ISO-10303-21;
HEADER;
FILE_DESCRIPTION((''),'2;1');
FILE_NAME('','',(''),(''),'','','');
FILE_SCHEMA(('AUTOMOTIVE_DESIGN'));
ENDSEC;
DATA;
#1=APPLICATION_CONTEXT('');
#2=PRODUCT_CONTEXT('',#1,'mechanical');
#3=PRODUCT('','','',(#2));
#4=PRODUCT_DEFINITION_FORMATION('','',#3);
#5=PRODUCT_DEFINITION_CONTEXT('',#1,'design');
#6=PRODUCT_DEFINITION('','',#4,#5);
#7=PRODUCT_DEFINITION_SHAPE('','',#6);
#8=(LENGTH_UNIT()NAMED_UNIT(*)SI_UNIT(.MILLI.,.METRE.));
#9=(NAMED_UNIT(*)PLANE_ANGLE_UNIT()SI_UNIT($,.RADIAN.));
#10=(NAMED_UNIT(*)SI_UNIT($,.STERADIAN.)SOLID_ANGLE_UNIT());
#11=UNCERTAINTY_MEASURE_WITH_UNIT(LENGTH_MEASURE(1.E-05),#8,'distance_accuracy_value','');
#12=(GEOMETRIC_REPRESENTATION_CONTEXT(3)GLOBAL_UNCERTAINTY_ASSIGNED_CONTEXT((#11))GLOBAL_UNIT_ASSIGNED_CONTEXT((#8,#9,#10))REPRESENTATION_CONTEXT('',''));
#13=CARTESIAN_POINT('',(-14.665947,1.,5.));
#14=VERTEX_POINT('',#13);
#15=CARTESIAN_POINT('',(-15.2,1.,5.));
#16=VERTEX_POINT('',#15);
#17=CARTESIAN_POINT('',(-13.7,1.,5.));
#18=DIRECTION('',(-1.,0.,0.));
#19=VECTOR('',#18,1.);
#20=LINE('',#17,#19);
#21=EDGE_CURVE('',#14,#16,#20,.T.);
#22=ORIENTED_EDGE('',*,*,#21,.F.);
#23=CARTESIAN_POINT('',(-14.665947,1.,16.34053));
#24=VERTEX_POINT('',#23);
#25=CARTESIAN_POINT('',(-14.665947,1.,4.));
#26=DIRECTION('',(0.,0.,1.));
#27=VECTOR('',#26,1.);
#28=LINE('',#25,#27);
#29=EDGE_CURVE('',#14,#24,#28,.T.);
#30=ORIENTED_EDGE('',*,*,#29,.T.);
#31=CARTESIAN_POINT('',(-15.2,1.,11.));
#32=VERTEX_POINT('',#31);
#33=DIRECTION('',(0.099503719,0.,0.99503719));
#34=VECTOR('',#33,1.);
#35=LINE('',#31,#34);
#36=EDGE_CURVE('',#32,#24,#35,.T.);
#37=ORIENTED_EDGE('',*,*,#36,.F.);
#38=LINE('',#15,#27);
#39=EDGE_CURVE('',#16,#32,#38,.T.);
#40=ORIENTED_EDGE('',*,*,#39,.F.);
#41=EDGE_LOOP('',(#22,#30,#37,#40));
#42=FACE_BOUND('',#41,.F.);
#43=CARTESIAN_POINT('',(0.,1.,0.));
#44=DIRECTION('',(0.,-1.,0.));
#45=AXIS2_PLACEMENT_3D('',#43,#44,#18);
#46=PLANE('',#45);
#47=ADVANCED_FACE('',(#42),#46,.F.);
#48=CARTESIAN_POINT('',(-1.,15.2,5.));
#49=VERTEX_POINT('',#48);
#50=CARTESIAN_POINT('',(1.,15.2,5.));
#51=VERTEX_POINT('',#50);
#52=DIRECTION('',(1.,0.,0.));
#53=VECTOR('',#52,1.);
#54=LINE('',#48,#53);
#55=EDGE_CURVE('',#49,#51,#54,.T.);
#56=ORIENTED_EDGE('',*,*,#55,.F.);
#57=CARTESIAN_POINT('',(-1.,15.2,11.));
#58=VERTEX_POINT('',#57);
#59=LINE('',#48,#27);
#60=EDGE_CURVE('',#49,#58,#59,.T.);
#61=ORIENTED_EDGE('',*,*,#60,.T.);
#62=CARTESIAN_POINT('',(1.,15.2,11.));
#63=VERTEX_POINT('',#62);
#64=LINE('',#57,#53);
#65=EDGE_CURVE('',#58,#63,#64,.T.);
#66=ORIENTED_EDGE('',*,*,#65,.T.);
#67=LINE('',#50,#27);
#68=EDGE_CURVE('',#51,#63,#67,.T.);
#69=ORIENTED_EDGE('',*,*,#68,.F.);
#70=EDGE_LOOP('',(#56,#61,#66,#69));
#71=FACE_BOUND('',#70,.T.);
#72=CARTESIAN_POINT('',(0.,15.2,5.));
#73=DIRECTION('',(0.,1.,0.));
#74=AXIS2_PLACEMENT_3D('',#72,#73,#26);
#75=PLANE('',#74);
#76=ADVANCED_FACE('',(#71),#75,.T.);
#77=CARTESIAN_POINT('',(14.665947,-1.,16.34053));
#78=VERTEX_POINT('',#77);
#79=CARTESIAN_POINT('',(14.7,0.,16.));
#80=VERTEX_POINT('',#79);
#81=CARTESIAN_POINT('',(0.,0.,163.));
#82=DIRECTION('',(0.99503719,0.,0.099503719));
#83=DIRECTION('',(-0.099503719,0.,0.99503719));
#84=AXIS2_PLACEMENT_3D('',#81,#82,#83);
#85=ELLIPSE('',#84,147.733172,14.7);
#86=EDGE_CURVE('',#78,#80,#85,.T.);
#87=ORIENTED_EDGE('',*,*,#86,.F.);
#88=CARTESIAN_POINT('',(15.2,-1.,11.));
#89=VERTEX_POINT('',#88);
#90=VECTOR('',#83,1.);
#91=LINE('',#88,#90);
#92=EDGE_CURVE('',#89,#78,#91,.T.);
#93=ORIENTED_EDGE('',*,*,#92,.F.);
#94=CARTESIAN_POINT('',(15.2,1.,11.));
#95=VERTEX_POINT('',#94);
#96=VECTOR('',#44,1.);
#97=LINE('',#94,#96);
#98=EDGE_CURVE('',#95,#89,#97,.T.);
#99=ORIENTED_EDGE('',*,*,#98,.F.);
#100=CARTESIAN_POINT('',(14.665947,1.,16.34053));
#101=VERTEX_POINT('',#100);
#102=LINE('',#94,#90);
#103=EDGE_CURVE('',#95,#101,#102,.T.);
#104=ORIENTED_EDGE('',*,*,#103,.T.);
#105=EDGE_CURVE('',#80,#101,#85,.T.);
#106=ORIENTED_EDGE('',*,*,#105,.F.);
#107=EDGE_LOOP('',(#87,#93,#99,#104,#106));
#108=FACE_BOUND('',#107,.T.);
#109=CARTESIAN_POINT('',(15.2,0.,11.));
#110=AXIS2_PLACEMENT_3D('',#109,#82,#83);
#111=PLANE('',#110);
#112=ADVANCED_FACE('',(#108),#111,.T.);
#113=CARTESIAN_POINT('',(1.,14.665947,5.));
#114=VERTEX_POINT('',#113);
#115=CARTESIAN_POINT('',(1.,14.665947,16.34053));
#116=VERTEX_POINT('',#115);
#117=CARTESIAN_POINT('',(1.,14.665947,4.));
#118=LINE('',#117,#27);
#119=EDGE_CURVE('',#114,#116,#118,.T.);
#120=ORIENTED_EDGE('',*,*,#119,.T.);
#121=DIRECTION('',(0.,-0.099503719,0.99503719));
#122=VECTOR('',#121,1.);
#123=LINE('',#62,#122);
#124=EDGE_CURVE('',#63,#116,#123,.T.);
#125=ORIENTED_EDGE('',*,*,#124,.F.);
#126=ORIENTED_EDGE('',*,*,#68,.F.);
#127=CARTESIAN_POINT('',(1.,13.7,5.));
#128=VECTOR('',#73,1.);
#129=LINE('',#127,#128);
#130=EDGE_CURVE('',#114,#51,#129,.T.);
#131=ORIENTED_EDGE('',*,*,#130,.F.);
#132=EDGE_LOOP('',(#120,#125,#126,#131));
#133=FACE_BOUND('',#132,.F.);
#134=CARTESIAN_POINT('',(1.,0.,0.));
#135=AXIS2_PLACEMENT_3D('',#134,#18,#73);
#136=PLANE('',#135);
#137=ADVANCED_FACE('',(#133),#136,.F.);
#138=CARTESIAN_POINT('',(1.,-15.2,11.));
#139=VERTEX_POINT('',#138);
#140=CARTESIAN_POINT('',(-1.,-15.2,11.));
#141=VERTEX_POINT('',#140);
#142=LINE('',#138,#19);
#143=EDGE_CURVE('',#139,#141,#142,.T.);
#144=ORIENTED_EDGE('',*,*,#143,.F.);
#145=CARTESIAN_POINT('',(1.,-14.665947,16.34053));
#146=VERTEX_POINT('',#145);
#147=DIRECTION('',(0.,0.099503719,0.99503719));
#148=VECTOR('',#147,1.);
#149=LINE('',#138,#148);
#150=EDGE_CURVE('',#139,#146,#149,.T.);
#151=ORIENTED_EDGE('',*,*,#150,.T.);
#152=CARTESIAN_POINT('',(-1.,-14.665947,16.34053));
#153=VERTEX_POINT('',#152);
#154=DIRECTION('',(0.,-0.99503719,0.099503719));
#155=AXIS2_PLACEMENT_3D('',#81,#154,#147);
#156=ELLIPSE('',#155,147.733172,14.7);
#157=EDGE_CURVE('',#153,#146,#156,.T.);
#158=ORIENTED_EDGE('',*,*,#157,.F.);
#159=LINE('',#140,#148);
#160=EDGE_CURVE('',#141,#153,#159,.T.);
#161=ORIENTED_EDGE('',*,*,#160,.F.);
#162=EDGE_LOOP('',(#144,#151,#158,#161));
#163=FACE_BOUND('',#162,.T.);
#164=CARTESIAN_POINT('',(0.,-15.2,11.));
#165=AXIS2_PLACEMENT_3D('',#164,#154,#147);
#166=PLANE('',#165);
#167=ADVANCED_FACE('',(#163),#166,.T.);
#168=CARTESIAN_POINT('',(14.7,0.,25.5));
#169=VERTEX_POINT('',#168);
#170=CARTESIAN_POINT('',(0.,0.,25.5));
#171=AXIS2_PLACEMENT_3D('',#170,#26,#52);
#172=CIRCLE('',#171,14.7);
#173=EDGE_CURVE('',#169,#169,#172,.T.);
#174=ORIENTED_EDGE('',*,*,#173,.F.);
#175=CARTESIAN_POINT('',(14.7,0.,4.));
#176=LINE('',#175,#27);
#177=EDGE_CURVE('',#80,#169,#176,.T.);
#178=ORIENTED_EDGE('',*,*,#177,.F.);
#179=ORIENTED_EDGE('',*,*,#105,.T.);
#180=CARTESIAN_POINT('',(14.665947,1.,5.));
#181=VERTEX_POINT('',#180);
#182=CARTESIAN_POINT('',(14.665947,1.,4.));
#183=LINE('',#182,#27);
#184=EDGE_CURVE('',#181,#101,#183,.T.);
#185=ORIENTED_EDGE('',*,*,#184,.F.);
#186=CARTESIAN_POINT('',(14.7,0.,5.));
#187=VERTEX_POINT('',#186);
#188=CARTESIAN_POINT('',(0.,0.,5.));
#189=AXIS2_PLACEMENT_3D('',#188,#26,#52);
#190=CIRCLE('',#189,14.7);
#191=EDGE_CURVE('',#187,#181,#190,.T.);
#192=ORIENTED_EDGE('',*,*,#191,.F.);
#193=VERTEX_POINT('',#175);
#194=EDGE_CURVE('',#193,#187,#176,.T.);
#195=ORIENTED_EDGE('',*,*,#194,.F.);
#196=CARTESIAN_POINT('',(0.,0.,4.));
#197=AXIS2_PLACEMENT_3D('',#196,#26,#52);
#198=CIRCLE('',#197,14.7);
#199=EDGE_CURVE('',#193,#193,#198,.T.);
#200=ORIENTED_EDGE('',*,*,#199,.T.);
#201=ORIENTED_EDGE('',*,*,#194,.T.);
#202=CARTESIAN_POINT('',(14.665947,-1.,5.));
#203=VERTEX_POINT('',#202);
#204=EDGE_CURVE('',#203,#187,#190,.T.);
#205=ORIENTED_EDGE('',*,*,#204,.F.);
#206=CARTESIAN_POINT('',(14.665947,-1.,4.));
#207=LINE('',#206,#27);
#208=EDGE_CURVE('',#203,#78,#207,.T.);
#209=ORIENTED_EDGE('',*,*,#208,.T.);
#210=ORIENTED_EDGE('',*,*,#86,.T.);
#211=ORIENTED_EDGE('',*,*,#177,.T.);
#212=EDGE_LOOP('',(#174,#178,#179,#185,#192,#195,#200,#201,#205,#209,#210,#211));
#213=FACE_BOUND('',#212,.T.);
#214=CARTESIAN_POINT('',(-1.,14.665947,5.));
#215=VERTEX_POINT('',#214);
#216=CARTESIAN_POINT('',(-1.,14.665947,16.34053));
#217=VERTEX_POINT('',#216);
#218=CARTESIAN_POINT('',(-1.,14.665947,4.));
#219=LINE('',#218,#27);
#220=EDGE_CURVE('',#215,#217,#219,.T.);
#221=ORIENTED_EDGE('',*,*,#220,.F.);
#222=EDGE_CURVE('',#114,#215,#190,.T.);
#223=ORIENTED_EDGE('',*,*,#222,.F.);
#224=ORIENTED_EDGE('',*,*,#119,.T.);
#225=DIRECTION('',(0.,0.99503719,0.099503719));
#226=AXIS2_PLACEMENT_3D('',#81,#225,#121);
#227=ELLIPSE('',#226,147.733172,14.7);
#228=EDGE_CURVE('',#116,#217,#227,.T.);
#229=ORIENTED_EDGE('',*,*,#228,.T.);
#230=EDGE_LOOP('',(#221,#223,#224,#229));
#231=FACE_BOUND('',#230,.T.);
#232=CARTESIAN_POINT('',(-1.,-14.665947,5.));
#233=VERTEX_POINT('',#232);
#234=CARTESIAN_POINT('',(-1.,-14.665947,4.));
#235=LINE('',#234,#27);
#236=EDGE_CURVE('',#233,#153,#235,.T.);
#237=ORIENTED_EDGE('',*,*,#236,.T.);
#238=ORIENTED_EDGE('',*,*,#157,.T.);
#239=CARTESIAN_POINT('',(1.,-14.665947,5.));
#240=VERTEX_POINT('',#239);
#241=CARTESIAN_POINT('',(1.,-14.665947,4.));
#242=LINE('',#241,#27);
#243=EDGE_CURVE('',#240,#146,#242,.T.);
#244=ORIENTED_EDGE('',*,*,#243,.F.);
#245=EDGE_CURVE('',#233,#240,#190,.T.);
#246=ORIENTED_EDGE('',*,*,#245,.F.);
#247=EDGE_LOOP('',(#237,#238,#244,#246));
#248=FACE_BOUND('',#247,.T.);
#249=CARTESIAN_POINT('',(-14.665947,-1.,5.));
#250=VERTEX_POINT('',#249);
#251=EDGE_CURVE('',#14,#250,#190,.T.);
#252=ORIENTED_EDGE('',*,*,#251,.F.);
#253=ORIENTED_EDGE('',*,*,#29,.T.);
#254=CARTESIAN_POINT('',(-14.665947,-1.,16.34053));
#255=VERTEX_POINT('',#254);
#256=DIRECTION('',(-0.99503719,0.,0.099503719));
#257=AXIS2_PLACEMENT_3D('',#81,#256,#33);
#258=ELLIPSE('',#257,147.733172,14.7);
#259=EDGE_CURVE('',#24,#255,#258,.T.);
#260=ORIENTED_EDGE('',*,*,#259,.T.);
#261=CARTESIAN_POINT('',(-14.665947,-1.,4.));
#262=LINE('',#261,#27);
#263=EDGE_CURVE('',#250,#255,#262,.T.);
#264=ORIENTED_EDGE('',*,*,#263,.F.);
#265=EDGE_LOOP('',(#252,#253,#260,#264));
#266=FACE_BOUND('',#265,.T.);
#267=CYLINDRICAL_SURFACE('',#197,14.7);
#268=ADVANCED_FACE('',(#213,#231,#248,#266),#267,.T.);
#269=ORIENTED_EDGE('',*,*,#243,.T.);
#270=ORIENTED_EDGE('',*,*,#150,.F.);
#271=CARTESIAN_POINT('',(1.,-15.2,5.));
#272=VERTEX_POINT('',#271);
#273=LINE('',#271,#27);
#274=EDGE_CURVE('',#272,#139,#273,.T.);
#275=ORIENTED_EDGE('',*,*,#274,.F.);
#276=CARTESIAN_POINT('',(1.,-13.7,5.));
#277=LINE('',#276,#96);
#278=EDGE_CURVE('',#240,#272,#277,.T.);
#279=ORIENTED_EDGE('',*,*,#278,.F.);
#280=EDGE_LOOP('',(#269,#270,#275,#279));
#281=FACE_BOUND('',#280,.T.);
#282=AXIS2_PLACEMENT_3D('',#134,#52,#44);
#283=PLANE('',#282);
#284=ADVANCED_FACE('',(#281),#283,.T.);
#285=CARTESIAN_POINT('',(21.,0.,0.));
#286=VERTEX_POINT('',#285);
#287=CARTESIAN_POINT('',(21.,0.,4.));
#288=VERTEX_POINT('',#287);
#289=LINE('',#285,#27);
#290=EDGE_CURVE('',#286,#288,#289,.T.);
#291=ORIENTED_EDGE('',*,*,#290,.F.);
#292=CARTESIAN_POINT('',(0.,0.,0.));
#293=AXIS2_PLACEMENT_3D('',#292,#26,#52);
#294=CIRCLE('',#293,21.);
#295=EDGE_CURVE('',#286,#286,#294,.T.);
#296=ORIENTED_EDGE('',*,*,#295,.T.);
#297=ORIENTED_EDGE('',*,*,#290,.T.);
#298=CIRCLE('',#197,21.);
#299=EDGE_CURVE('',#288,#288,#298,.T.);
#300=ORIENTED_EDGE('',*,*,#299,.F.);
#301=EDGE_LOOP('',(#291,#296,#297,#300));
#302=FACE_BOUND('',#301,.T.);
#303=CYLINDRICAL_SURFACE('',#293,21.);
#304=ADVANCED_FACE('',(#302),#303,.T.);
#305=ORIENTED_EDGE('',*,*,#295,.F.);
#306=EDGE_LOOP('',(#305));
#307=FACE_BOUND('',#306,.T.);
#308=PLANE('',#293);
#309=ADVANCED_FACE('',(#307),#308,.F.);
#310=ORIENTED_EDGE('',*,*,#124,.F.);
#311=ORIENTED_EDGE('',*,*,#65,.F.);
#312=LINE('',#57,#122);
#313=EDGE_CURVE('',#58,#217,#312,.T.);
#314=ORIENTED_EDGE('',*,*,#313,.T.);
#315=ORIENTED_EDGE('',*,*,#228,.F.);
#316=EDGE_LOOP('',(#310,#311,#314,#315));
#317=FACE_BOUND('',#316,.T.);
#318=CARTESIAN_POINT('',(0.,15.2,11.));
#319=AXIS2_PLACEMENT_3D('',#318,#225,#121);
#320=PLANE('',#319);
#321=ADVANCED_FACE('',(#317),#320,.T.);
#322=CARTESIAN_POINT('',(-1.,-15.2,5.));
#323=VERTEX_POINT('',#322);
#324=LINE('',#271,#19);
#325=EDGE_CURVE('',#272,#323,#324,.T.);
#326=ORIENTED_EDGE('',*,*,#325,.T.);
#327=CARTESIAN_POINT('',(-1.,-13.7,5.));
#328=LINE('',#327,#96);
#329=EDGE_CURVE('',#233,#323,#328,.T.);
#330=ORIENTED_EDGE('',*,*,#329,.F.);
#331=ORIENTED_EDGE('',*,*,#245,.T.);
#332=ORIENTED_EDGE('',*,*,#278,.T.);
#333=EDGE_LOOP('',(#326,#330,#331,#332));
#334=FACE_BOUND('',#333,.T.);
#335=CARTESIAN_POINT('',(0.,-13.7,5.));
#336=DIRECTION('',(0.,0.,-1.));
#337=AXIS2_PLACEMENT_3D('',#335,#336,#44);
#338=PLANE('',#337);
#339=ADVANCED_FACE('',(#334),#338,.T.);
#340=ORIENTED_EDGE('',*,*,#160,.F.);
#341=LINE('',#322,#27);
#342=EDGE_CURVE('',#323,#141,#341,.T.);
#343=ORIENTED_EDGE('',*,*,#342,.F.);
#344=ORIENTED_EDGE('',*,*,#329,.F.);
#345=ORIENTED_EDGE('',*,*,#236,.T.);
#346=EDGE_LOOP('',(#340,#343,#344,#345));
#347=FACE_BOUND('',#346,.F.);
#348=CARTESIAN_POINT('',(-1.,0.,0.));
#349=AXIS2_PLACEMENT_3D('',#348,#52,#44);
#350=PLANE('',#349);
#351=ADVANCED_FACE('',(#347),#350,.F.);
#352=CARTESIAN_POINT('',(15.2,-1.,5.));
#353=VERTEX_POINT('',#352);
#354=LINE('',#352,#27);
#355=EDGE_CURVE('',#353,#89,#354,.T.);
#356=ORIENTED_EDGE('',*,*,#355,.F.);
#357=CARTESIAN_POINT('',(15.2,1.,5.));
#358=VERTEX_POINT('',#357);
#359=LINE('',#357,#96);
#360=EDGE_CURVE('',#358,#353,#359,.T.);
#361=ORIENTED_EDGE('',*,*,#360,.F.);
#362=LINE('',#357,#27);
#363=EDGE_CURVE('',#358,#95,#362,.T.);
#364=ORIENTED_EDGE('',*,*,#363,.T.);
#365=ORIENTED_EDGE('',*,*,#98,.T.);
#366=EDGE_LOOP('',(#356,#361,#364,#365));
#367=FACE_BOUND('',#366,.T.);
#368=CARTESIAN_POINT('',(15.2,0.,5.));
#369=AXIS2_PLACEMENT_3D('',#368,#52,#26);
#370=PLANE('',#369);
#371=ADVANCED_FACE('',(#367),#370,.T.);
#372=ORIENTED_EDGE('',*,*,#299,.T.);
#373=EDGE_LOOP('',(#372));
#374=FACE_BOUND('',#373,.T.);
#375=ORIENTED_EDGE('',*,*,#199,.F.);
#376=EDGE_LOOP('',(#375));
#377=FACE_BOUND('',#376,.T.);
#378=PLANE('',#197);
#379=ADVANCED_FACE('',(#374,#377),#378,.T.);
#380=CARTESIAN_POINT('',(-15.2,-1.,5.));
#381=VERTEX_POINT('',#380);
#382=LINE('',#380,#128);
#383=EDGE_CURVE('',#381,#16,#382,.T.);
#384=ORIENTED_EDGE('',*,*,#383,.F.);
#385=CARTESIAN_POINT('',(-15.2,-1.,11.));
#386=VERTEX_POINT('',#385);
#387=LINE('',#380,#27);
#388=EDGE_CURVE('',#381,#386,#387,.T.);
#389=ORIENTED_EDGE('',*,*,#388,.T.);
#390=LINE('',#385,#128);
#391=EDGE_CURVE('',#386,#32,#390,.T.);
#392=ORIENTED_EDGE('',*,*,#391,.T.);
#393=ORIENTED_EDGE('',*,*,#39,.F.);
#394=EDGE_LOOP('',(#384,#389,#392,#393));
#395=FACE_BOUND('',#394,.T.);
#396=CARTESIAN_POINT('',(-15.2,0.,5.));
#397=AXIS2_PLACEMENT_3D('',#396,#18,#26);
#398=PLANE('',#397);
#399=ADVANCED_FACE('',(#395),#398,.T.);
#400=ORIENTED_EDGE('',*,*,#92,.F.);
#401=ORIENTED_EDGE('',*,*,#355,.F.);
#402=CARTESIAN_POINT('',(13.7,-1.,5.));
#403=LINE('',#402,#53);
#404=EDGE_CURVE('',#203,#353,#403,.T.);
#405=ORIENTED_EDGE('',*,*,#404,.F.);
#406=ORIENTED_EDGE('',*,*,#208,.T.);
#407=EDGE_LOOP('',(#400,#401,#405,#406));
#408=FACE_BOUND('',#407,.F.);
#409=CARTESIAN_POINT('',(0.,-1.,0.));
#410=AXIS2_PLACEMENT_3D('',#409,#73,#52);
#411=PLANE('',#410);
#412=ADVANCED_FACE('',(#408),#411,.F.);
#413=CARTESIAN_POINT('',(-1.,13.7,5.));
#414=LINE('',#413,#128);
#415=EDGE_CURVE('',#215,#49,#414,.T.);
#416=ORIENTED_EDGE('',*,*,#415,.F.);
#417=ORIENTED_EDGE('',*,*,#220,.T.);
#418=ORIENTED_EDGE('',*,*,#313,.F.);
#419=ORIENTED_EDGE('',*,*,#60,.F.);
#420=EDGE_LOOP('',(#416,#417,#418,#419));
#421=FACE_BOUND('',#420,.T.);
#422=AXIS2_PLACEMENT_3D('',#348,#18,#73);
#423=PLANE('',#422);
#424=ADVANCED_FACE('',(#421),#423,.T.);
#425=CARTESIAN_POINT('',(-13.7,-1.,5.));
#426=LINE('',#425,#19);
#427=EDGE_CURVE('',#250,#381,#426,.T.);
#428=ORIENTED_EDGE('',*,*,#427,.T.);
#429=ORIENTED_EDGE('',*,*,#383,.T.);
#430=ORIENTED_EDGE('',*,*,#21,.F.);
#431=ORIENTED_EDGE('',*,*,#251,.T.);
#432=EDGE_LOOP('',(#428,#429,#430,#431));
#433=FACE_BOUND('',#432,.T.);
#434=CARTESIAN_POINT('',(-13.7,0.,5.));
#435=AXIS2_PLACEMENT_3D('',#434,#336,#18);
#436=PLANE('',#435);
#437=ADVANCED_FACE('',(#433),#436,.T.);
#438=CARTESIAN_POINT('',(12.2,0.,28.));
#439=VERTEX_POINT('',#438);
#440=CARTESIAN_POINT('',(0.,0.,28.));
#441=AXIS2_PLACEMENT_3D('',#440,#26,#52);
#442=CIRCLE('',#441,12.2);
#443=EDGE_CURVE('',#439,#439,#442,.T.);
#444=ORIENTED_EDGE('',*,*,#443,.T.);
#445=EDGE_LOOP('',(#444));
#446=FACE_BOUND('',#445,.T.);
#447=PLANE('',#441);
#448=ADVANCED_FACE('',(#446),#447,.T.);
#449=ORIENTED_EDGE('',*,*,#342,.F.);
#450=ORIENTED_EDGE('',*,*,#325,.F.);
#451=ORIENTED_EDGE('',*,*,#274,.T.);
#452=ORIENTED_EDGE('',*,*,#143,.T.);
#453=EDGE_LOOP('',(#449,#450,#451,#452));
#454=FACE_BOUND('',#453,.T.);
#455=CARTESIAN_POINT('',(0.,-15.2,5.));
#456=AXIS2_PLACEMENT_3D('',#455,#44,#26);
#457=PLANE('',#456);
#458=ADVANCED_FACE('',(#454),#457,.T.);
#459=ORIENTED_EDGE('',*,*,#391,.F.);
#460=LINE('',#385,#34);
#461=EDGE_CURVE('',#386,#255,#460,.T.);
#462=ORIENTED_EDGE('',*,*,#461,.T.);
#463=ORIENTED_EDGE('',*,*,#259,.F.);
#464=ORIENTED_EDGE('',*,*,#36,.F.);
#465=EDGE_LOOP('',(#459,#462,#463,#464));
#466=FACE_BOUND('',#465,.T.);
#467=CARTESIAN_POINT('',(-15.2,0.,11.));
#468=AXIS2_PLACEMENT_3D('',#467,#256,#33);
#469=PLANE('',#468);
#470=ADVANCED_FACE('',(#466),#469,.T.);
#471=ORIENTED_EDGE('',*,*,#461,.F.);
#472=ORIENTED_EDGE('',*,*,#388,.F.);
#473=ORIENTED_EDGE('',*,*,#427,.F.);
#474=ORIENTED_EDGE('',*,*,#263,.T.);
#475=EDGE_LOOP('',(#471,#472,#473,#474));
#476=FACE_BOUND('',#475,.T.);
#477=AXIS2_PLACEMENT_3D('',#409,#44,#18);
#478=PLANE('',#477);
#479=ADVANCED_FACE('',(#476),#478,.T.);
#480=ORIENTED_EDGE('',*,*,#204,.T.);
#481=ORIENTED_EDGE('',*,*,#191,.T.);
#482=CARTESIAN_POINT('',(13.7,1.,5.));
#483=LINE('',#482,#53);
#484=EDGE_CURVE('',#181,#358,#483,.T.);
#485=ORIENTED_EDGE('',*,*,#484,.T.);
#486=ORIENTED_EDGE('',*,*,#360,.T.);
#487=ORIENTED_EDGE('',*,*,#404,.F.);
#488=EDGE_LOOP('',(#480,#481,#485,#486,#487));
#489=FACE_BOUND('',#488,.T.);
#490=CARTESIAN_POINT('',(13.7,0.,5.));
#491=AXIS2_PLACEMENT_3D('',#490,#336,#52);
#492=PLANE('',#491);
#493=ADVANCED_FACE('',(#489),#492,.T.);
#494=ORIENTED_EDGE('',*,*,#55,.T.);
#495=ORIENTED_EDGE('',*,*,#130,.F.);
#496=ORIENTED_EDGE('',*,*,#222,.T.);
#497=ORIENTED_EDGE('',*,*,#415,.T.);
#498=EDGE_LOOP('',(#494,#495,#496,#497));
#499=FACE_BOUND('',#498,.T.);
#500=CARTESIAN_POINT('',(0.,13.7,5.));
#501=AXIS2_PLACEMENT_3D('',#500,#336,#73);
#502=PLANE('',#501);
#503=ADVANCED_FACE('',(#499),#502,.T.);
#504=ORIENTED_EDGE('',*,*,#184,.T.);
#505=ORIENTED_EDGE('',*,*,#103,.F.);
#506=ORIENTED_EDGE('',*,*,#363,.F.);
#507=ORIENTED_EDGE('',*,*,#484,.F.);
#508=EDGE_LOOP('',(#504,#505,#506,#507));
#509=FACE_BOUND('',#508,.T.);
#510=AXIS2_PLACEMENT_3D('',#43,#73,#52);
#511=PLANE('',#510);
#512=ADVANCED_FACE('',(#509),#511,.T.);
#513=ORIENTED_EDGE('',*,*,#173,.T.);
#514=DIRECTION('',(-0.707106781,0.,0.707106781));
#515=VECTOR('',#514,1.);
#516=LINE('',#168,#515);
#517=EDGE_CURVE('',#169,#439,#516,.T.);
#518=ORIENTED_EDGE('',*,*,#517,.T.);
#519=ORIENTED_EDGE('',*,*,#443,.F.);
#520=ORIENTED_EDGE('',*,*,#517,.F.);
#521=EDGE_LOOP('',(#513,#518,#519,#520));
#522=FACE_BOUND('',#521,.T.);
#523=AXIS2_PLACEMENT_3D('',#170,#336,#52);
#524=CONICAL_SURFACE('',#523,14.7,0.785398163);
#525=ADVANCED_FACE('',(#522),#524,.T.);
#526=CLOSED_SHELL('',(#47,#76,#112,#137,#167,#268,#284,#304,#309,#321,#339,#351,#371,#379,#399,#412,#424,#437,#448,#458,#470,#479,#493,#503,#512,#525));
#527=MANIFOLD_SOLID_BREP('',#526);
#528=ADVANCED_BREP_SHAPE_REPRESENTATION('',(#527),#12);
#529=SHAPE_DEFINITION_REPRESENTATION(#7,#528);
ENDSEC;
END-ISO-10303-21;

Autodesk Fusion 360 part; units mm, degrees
sketch "End cap profile" plane through (0, 0, 0) normal (0, 1, 0) x (1, 0, 0)
  line L0 (0, 0) -> (21, 0)
  line L1 (21, 0) -> (21, -4)
  line L2 (21, -4) -> (14.7, -4)
  line L3 (14.7, -4) -> (14.7, -25.5)
  line L4 (14.7, -25.5) -> (12.2, -28)
  line L5 (12.2, -28) -> (0, -28)
  line L6 (0, -28) -> (0, 0)
  dimension "d76" = 21
  dimension "d77" = 4
  dimension "d78" = 14.7
  dimension "d79" = 28
  dimension "d80" = 2.5
  dimension "d81" = 2.5
revolve "End cap revolve" add sketch "End cap profile" angle 360 about axis through (0, 0, 1.75) along (0, 0, 1)
sketch "Crush rib" plane through (0, 0, 0) normal (0, 1, 0) x (1, 0, 0)
  line L0 (13.7, -5) -> (15.2, -5)
  line L1 (15.2, -5) -> (15.2, -11)
  line L2 (15.2, -11) -> (13.7, -26)
  line L3 (13.7, -26) -> (13.7, -5)
  dimension "d83" = 13.7
  dimension "d84" = 5
  dimension "d85" = 15.2
  dimension "d86" = 26
  dimension "d87" = 11
extrude "Crush rib (1)" add sketch "Crush rib" along normal mid plane 2
pattern_circular "Crush ribs" count 4 over 360 about axis through (0, 0, 1.75) along (0, 0, 1) of "Crush rib (1)"
equation "rodOuterDiameter = 33.4 mm" comment "pipe OD the flange exceeds"
equation "pipeInnerDiameter = 30.0 mm" comment "MEASURED bore, not the spec"
equation "endCapFlangeProud = 4.3 mm" comment "flange beyond the pipe OD"
equation "endCapFlangeThickness = 4.0 mm" comment "flange thickness"
equation "endCapStemLength = 24.0 mm" comment "stem depth into the bore"
equation "endCapStemDiameter = pipeInnerDiameter - 0.6 mm" comment "slip fit"
equation "endCapRibDiameter = pipeInnerDiameter + 0.4 mm" comment "crush fit on ribs"
equation "endCapTipChamfer = 2.5 mm" comment "lead-in at the stem tip"
equation "endCapRibWidth = 2.0 mm" comment "rib width"
equation "endCapRibCount = 4" comment "ribs around the stem"
equation "endCapRibGripLength = 6.0 mm" comment "full-height rib band"
equation "d76 = rodOuterDiameter / 2 + endCapFlangeProud"
equation "d77 = endCapFlangeThickness"
equation "d78 = endCapStemDiameter / 2"
equation "d79 = endCapFlangeThickness + endCapStemLength"
equation "d80 = endCapTipChamfer"
equation "d81 = endCapTipChamfer"
equation "d83 = endCapStemDiameter / 2 - 1 mm"
equation "d84 = endCapFlangeThickness + 1 mm"
equation "d85 = endCapRibDiameter / 2"
equation "d86 = endCapFlangeThickness + endCapStemLength - 2 mm"
equation "d87 = endCapFlangeThickness + 1 mm + endCapRibGripLength"
equation "d88 = endCapRibWidth"
equation "d90 = endCapRibCount"
